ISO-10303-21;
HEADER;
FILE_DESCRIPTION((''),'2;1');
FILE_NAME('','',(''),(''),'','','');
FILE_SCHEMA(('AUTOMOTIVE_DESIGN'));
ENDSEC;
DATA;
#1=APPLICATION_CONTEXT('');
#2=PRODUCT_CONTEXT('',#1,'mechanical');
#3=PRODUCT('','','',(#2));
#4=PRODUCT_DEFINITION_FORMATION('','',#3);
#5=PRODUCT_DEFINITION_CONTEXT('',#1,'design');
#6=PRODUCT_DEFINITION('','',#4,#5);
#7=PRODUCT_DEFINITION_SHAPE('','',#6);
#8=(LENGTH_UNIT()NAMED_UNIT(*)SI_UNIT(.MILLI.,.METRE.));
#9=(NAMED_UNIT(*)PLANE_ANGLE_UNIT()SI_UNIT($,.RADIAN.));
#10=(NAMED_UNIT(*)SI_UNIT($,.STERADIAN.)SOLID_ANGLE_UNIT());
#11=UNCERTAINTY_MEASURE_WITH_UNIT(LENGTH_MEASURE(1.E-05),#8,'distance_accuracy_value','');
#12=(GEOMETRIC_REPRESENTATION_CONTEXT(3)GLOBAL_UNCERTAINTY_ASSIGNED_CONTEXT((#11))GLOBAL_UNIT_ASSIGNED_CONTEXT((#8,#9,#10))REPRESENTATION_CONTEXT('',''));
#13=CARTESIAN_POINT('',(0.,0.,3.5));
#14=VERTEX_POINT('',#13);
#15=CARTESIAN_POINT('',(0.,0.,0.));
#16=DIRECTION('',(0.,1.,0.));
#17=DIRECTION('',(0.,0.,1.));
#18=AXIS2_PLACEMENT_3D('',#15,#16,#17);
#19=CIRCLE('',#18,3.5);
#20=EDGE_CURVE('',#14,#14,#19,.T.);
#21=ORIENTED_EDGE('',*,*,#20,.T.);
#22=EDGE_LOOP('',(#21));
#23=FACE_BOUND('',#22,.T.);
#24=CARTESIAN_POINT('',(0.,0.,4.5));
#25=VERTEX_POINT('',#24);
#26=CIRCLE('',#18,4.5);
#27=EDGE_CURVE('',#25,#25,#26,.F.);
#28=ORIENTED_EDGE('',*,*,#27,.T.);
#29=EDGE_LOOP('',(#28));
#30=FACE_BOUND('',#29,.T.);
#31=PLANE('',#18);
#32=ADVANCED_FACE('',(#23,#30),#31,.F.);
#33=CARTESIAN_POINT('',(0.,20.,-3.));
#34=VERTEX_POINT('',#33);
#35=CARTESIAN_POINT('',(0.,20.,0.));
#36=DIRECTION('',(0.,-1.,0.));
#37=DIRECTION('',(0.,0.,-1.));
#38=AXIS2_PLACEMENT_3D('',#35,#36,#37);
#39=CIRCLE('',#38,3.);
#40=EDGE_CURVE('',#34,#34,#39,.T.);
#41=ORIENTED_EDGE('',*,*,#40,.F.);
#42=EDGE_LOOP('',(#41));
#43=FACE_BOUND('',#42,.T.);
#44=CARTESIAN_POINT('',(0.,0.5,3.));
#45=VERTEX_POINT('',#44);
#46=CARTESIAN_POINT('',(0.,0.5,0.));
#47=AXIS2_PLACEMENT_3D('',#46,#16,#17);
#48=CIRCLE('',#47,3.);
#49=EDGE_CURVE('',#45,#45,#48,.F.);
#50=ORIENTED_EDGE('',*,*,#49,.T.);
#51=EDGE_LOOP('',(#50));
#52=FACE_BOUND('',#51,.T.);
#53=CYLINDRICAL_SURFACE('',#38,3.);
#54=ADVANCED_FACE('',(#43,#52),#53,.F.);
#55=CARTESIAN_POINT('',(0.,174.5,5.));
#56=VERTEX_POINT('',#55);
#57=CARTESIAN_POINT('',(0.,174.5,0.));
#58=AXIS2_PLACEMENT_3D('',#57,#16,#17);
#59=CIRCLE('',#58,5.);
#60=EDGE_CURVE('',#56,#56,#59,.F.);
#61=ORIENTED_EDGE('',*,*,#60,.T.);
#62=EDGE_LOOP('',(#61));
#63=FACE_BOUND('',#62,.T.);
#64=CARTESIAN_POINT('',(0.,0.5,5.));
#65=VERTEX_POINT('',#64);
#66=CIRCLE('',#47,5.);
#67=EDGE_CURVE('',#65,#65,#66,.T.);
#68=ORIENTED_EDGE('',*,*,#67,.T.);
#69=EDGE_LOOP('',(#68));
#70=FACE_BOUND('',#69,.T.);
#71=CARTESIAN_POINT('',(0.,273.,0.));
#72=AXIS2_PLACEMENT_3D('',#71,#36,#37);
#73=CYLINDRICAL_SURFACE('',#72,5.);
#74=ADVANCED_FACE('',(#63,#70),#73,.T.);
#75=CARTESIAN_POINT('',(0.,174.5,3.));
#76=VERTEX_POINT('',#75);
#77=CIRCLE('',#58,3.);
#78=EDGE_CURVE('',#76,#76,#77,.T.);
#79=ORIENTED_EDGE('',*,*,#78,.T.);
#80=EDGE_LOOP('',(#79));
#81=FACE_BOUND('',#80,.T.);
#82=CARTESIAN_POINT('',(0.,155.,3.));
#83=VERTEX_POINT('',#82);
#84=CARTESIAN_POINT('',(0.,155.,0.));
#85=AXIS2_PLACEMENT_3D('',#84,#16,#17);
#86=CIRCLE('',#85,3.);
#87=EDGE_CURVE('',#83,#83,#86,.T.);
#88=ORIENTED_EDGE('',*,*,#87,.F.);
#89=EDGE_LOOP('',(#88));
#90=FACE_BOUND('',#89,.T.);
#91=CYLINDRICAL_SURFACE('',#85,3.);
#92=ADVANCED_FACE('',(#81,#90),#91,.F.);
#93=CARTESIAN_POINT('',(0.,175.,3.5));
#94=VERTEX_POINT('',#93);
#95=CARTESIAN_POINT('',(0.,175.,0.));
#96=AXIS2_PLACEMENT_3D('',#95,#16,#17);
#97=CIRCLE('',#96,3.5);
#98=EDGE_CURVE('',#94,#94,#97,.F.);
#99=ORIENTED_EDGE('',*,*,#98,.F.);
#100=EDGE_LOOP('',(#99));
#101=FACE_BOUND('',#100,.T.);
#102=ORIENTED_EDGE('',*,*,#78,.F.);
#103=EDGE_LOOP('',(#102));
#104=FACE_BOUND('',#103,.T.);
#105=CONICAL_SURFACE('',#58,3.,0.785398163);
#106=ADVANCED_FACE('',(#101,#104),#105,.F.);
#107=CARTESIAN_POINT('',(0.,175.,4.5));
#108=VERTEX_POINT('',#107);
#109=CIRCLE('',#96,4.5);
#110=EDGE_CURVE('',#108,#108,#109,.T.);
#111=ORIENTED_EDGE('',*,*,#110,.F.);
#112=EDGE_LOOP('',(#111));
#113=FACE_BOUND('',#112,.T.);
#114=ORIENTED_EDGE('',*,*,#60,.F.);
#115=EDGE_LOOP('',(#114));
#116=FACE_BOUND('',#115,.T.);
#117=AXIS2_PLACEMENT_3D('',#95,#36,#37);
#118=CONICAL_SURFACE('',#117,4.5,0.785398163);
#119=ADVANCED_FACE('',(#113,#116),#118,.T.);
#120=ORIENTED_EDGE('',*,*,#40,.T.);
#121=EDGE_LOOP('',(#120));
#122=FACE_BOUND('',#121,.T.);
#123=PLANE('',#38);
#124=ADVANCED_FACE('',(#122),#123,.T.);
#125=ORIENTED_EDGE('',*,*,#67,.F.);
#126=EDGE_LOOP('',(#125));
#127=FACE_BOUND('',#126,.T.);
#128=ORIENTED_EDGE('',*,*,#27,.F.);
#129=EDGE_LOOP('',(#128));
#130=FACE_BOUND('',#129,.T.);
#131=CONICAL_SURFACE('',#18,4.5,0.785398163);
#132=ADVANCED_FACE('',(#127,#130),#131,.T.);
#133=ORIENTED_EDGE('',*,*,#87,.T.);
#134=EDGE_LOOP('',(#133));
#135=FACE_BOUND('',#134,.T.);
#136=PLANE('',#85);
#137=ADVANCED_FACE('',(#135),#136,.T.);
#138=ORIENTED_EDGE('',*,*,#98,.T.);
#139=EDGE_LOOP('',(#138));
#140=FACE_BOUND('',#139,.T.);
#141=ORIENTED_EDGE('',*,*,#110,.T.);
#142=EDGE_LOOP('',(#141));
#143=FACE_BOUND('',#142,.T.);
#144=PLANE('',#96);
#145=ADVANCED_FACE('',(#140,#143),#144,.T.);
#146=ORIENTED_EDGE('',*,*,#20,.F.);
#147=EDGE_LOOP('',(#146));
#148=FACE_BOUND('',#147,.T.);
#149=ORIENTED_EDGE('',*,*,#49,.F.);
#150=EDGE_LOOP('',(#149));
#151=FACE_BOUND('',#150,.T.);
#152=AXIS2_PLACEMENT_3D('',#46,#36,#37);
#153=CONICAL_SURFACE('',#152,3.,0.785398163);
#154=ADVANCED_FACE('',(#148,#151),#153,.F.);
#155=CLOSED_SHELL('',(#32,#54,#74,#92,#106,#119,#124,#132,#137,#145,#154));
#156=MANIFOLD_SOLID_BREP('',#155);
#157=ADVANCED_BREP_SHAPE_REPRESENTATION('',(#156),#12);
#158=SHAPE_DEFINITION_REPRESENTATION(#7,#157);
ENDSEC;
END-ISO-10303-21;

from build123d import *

# Parameters (mm, degrees)
SKETCH1_R           = 10
BOSS_EXTRUDE1_DEPTH = 175
CHAMFER2_SIZE       = 0.5
SKETCH2_R           = 3
CUT_EXTRUDE1_DEPTH  = 20
CHAMFER3_SIZE       = 0.5
SKETCH3_R           = 3
CUT_EXTRUDE2_DEPTH  = 20
SKETCH4_R           = 10
SKETCH4_R_2         = 5
CUT_EXTRUDE3_DEPTH  = 273
CHAMFER5_SIZE       = 0.5


with BuildPart() as part:
    # Sketch1 → Boss-Extrude1 (new body)
    with BuildSketch(Plane(origin=(0, 0, 0), x_dir=(1, 0, 0), z_dir=(0, 1, 0))):
        Circle(SKETCH1_R)
    extrude(amount=BOSS_EXTRUDE1_DEPTH)

    # Chamfer2
    chamfer2_edges = [part.edges().sort_by_distance(p)[0] for p in [
        (-10, 0, 0),
        (-10, 175, 0),
    ]]
    chamfer(chamfer2_edges, length=CHAMFER2_SIZE)

    # Sketch2 → Cut-Extrude1 (cut)
    with BuildSketch(Plane(origin=(0, 175, 0), x_dir=(1, 0, 0), z_dir=(0, 1, 0))):
        Circle(SKETCH2_R)
    extrude(amount=-CUT_EXTRUDE1_DEPTH, mode=Mode.SUBTRACT)

    # Chamfer3
    chamfer3_edges = [part.edges().sort_by_distance(p)[0] for p in [
        (-3, 175, 0),
    ]]
    chamfer(chamfer3_edges, length=CHAMFER3_SIZE)

    # Sketch3 → Cut-Extrude2 (cut)
    with BuildSketch(Plane.XZ):
        Circle(SKETCH3_R)
    extrude(amount=-CUT_EXTRUDE2_DEPTH, mode=Mode.SUBTRACT)

    # Sketch4 → Cut-Extrude3 (cut)
    with BuildSketch(Plane.XZ):
        Circle(SKETCH4_R)
        Circle(SKETCH4_R_2, mode=Mode.SUBTRACT)
    extrude(amount=-CUT_EXTRUDE3_DEPTH, mode=Mode.SUBTRACT)

    # Chamfer5
    chamfer5_edges = [part.edges().sort_by_distance(p)[0] for p in [
        (-3, 0, 0),
        (-5, 175, 0),
        (-5, 0, 0),
    ]]
    chamfer(chamfer5_edges, length=CHAMFER5_SIZE)


solid = part.part
